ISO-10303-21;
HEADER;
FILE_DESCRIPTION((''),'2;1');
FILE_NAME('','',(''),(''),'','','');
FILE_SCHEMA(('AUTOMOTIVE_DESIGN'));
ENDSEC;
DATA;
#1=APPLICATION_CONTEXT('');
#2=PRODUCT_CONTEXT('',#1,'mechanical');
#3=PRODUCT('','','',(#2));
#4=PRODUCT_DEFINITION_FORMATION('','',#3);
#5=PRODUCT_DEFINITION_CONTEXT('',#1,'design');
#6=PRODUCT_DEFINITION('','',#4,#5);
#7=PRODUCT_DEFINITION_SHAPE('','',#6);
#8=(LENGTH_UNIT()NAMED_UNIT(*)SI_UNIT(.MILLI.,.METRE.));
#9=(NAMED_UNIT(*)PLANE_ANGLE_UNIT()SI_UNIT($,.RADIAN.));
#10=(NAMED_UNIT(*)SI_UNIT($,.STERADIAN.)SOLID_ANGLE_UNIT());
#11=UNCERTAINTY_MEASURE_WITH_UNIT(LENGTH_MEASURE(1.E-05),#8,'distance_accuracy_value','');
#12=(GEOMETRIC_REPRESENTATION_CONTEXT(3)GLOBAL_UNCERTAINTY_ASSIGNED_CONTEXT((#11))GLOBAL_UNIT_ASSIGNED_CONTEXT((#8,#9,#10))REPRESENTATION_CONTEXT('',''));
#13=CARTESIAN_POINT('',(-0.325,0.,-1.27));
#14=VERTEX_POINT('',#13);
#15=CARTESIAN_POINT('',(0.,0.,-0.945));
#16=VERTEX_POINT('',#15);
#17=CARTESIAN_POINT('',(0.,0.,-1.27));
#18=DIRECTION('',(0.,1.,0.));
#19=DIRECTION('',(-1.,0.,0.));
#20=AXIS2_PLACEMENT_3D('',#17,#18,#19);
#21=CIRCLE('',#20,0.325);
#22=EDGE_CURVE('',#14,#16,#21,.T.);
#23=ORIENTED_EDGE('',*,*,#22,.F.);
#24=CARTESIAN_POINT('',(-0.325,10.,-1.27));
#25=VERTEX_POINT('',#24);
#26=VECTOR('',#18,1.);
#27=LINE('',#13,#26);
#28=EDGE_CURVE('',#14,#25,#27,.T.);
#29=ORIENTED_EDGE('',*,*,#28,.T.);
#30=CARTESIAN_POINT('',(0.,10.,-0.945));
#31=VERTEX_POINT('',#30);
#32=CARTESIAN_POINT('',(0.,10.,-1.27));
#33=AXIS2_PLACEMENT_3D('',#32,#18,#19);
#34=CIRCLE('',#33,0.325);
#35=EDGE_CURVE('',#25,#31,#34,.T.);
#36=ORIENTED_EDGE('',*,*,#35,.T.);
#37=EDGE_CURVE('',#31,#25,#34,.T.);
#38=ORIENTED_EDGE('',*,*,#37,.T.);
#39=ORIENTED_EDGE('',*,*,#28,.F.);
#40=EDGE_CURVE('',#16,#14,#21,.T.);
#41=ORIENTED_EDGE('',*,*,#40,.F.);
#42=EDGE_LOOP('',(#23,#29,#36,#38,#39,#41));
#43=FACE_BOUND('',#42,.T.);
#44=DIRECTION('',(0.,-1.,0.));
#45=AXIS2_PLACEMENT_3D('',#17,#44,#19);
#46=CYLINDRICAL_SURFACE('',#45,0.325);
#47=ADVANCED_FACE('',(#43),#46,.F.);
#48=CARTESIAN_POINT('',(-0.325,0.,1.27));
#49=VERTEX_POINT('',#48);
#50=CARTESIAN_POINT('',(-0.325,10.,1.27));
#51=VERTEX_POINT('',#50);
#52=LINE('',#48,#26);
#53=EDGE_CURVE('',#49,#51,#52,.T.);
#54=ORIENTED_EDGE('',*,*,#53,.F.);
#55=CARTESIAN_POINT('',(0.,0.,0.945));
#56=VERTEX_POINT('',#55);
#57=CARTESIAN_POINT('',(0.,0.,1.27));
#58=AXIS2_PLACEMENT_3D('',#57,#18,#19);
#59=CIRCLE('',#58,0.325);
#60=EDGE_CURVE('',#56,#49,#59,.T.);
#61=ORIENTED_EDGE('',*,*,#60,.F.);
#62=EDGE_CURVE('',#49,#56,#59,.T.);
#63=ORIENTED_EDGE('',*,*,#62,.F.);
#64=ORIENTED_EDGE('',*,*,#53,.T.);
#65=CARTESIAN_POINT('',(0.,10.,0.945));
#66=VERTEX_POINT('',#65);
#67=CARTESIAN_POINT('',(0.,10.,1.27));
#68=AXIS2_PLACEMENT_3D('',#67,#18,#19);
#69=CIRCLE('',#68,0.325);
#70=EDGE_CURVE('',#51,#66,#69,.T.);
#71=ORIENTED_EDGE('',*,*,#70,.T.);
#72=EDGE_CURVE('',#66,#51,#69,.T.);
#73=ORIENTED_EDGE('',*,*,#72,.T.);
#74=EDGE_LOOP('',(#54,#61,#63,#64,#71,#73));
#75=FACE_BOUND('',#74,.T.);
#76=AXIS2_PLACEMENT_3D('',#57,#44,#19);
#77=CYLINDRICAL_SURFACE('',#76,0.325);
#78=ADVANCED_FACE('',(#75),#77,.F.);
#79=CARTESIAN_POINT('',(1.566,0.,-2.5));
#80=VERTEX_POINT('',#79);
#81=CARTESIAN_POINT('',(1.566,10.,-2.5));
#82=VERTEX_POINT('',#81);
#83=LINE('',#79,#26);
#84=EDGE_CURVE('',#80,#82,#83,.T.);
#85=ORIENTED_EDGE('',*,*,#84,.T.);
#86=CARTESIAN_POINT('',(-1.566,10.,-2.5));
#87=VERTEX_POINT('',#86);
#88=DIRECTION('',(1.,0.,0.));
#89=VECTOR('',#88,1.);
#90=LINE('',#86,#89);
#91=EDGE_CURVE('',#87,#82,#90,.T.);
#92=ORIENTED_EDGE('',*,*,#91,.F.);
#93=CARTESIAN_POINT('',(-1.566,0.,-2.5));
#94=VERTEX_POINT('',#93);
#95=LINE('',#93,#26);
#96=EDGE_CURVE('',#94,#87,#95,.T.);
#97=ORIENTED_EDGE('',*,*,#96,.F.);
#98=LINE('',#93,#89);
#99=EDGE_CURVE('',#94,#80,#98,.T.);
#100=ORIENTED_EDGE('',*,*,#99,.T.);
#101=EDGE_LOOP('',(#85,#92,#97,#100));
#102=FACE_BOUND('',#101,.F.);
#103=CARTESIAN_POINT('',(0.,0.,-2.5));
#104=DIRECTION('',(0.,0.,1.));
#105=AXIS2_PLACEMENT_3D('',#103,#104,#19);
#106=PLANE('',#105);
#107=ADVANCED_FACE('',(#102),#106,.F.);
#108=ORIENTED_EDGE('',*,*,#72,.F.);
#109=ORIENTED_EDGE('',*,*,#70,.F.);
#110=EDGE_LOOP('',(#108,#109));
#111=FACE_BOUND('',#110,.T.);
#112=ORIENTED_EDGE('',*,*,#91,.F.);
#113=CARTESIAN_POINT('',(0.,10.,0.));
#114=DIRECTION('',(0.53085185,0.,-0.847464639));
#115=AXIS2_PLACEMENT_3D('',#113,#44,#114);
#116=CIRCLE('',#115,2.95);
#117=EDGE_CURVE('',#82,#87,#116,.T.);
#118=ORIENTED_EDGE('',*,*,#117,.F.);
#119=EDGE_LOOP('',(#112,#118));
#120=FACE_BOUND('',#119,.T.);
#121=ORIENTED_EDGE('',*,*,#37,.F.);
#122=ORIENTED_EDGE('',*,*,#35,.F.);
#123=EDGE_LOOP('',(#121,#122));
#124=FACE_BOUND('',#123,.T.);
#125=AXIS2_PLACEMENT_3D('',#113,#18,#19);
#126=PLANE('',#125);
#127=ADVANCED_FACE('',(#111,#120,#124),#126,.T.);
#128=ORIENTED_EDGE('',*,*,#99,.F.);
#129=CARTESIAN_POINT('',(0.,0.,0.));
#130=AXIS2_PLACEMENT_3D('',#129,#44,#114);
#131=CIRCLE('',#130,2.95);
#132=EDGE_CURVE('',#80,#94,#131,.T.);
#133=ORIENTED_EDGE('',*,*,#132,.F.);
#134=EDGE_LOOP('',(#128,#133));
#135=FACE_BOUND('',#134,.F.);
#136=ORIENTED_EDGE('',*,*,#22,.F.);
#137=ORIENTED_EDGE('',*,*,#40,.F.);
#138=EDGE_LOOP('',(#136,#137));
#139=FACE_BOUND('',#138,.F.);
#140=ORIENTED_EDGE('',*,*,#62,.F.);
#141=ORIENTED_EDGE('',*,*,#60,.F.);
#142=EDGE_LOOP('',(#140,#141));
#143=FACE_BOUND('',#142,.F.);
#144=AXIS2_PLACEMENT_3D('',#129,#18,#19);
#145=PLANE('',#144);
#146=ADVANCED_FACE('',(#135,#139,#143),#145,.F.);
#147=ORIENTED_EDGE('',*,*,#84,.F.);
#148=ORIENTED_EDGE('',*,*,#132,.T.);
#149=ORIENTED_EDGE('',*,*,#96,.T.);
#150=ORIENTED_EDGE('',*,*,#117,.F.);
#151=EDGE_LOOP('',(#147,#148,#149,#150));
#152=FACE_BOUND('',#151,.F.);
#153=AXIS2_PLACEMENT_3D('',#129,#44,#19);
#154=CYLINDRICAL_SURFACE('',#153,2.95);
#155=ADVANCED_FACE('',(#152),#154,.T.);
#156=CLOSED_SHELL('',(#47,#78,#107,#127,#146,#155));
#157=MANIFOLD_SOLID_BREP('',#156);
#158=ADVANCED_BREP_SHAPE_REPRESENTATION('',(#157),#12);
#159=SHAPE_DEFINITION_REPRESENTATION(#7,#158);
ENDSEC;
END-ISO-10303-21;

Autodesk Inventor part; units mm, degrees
ref_plane "YZ Plane" through (0, 0, 0) normal (1, 0, 0) x (0, 1, 0)
ref_plane "XZ Plane" through (0, 0, 0) normal (0, 1, 0) x (-1, 0, 0)
ref_plane "XY Plane" through (0, 0, 0) normal (0, 0, 1) x (1, 0, 0)
sketch "Эскиз1" plane through (0, 0, 0) normal (0, 1, 0) x (-1, 0, 0)
  circle A0 centre (0, 0) radius 2.95
  circle A1 centre (0, 0) radius 2.5
  line L0 (0, -2.5) -> (1.566, -2.5)
  line L1 (-1.566, -2.5) -> (0, -2.5)
  line L2 (0, 0) -> (0, -1.27)
  line L3 (0, -1.27) -> (0, 1.27)
  circle A2 centre (0, 1.27) radius 0.325
  circle A3 centre (0, -1.27) radius 0.325
  dimension "d1" = 5
  dimension "d0" = 5.9
  dimension "d2" = 1.27
  dimension "d3" = 2.54
  dimension "d4" = 0.65
  dimension "d5" = 0.65
extrude "Выдавливание1" add sketch "Эскиз1" along normal blind 10 contours A1 | A0 L0 L1 picked at (2.7708, 0.2378)
properties part number "osvesh"
